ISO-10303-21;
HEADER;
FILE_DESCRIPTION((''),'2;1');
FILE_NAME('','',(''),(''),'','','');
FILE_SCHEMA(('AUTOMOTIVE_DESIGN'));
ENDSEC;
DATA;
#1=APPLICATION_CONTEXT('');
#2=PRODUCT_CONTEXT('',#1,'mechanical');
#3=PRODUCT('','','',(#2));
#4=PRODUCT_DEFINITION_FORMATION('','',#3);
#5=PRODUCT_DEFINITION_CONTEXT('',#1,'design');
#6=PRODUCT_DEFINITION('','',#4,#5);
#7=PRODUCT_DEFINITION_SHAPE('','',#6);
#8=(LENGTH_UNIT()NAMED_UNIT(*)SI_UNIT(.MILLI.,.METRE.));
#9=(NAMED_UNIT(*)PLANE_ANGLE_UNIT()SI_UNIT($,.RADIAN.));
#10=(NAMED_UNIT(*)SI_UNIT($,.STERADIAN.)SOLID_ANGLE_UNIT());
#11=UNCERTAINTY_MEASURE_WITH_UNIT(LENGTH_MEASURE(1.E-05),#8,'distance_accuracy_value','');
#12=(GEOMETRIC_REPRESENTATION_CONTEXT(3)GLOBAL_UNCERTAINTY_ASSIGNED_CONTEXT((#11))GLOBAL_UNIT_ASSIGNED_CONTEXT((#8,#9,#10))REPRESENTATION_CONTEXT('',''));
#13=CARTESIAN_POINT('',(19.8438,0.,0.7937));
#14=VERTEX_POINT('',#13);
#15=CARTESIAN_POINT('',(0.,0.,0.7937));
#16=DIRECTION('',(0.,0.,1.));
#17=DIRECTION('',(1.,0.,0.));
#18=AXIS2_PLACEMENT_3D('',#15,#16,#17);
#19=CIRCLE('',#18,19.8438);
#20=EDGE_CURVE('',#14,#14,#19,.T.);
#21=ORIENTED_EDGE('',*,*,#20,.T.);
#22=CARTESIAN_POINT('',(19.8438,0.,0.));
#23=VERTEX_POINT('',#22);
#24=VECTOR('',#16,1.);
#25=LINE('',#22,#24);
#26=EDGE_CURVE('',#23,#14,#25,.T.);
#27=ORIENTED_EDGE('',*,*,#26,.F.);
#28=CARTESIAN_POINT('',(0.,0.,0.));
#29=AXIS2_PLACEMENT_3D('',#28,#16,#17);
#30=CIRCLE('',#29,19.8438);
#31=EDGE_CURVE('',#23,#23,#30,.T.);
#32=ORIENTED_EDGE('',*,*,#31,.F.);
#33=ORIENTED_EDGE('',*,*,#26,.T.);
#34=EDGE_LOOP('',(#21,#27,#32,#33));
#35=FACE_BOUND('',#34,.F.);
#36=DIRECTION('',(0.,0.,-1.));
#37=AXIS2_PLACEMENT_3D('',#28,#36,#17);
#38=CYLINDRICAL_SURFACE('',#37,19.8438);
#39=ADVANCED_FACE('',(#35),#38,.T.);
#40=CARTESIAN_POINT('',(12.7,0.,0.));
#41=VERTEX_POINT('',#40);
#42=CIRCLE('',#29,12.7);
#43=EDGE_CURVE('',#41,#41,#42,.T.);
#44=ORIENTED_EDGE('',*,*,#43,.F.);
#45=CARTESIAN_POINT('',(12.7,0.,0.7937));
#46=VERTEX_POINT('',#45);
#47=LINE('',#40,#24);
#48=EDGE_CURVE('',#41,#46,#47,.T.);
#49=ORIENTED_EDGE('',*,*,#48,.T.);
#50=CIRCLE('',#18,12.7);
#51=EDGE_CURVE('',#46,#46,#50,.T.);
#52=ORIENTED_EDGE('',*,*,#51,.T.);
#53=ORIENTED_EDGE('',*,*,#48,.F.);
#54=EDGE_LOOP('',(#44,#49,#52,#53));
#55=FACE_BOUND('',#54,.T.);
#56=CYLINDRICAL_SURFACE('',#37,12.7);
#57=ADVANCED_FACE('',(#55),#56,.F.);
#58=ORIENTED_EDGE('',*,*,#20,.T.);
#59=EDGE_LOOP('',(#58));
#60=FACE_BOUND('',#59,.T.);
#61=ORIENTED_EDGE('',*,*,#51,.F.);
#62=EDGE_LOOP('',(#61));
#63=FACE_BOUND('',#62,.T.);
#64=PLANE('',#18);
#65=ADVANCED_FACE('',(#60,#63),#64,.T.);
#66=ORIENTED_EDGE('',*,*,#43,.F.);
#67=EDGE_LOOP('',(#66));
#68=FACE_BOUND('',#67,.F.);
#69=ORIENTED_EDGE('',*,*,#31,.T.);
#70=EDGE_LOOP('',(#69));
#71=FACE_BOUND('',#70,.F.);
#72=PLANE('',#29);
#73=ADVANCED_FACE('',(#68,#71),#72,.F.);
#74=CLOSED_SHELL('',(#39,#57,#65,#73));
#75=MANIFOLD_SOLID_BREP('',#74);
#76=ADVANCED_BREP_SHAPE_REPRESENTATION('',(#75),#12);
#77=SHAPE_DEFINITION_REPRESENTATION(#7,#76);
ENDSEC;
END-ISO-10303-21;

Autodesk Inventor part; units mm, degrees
ref_plane "YZ Plane" through (0, 0, 0) normal (1, 0, 0) x (0, 1, 0)
ref_plane "XZ Plane" through (0, 0, 0) normal (0, 1, 0) x (-1, 0, 0)
ref_plane "XY Plane" through (0, 0, 0) normal (0, 0, 1) x (1, 0, 0)
sketch "Sketch1" plane through (0, 0, 0) normal (0, 0, 1) x (1, 0, 0)
  circle A0 centre (0, 0) radius 12.7
  circle A1 centre (0, 0) radius 19.8438
  dimension "d0" = 25.4
  dimension "d2" = 39.6875
extrude "Extrusion1" add sketch "Sketch1" along normal blind 0.7937
properties part number "Thrust Washer .125 Thick 1.000 Shaft Diameter"
